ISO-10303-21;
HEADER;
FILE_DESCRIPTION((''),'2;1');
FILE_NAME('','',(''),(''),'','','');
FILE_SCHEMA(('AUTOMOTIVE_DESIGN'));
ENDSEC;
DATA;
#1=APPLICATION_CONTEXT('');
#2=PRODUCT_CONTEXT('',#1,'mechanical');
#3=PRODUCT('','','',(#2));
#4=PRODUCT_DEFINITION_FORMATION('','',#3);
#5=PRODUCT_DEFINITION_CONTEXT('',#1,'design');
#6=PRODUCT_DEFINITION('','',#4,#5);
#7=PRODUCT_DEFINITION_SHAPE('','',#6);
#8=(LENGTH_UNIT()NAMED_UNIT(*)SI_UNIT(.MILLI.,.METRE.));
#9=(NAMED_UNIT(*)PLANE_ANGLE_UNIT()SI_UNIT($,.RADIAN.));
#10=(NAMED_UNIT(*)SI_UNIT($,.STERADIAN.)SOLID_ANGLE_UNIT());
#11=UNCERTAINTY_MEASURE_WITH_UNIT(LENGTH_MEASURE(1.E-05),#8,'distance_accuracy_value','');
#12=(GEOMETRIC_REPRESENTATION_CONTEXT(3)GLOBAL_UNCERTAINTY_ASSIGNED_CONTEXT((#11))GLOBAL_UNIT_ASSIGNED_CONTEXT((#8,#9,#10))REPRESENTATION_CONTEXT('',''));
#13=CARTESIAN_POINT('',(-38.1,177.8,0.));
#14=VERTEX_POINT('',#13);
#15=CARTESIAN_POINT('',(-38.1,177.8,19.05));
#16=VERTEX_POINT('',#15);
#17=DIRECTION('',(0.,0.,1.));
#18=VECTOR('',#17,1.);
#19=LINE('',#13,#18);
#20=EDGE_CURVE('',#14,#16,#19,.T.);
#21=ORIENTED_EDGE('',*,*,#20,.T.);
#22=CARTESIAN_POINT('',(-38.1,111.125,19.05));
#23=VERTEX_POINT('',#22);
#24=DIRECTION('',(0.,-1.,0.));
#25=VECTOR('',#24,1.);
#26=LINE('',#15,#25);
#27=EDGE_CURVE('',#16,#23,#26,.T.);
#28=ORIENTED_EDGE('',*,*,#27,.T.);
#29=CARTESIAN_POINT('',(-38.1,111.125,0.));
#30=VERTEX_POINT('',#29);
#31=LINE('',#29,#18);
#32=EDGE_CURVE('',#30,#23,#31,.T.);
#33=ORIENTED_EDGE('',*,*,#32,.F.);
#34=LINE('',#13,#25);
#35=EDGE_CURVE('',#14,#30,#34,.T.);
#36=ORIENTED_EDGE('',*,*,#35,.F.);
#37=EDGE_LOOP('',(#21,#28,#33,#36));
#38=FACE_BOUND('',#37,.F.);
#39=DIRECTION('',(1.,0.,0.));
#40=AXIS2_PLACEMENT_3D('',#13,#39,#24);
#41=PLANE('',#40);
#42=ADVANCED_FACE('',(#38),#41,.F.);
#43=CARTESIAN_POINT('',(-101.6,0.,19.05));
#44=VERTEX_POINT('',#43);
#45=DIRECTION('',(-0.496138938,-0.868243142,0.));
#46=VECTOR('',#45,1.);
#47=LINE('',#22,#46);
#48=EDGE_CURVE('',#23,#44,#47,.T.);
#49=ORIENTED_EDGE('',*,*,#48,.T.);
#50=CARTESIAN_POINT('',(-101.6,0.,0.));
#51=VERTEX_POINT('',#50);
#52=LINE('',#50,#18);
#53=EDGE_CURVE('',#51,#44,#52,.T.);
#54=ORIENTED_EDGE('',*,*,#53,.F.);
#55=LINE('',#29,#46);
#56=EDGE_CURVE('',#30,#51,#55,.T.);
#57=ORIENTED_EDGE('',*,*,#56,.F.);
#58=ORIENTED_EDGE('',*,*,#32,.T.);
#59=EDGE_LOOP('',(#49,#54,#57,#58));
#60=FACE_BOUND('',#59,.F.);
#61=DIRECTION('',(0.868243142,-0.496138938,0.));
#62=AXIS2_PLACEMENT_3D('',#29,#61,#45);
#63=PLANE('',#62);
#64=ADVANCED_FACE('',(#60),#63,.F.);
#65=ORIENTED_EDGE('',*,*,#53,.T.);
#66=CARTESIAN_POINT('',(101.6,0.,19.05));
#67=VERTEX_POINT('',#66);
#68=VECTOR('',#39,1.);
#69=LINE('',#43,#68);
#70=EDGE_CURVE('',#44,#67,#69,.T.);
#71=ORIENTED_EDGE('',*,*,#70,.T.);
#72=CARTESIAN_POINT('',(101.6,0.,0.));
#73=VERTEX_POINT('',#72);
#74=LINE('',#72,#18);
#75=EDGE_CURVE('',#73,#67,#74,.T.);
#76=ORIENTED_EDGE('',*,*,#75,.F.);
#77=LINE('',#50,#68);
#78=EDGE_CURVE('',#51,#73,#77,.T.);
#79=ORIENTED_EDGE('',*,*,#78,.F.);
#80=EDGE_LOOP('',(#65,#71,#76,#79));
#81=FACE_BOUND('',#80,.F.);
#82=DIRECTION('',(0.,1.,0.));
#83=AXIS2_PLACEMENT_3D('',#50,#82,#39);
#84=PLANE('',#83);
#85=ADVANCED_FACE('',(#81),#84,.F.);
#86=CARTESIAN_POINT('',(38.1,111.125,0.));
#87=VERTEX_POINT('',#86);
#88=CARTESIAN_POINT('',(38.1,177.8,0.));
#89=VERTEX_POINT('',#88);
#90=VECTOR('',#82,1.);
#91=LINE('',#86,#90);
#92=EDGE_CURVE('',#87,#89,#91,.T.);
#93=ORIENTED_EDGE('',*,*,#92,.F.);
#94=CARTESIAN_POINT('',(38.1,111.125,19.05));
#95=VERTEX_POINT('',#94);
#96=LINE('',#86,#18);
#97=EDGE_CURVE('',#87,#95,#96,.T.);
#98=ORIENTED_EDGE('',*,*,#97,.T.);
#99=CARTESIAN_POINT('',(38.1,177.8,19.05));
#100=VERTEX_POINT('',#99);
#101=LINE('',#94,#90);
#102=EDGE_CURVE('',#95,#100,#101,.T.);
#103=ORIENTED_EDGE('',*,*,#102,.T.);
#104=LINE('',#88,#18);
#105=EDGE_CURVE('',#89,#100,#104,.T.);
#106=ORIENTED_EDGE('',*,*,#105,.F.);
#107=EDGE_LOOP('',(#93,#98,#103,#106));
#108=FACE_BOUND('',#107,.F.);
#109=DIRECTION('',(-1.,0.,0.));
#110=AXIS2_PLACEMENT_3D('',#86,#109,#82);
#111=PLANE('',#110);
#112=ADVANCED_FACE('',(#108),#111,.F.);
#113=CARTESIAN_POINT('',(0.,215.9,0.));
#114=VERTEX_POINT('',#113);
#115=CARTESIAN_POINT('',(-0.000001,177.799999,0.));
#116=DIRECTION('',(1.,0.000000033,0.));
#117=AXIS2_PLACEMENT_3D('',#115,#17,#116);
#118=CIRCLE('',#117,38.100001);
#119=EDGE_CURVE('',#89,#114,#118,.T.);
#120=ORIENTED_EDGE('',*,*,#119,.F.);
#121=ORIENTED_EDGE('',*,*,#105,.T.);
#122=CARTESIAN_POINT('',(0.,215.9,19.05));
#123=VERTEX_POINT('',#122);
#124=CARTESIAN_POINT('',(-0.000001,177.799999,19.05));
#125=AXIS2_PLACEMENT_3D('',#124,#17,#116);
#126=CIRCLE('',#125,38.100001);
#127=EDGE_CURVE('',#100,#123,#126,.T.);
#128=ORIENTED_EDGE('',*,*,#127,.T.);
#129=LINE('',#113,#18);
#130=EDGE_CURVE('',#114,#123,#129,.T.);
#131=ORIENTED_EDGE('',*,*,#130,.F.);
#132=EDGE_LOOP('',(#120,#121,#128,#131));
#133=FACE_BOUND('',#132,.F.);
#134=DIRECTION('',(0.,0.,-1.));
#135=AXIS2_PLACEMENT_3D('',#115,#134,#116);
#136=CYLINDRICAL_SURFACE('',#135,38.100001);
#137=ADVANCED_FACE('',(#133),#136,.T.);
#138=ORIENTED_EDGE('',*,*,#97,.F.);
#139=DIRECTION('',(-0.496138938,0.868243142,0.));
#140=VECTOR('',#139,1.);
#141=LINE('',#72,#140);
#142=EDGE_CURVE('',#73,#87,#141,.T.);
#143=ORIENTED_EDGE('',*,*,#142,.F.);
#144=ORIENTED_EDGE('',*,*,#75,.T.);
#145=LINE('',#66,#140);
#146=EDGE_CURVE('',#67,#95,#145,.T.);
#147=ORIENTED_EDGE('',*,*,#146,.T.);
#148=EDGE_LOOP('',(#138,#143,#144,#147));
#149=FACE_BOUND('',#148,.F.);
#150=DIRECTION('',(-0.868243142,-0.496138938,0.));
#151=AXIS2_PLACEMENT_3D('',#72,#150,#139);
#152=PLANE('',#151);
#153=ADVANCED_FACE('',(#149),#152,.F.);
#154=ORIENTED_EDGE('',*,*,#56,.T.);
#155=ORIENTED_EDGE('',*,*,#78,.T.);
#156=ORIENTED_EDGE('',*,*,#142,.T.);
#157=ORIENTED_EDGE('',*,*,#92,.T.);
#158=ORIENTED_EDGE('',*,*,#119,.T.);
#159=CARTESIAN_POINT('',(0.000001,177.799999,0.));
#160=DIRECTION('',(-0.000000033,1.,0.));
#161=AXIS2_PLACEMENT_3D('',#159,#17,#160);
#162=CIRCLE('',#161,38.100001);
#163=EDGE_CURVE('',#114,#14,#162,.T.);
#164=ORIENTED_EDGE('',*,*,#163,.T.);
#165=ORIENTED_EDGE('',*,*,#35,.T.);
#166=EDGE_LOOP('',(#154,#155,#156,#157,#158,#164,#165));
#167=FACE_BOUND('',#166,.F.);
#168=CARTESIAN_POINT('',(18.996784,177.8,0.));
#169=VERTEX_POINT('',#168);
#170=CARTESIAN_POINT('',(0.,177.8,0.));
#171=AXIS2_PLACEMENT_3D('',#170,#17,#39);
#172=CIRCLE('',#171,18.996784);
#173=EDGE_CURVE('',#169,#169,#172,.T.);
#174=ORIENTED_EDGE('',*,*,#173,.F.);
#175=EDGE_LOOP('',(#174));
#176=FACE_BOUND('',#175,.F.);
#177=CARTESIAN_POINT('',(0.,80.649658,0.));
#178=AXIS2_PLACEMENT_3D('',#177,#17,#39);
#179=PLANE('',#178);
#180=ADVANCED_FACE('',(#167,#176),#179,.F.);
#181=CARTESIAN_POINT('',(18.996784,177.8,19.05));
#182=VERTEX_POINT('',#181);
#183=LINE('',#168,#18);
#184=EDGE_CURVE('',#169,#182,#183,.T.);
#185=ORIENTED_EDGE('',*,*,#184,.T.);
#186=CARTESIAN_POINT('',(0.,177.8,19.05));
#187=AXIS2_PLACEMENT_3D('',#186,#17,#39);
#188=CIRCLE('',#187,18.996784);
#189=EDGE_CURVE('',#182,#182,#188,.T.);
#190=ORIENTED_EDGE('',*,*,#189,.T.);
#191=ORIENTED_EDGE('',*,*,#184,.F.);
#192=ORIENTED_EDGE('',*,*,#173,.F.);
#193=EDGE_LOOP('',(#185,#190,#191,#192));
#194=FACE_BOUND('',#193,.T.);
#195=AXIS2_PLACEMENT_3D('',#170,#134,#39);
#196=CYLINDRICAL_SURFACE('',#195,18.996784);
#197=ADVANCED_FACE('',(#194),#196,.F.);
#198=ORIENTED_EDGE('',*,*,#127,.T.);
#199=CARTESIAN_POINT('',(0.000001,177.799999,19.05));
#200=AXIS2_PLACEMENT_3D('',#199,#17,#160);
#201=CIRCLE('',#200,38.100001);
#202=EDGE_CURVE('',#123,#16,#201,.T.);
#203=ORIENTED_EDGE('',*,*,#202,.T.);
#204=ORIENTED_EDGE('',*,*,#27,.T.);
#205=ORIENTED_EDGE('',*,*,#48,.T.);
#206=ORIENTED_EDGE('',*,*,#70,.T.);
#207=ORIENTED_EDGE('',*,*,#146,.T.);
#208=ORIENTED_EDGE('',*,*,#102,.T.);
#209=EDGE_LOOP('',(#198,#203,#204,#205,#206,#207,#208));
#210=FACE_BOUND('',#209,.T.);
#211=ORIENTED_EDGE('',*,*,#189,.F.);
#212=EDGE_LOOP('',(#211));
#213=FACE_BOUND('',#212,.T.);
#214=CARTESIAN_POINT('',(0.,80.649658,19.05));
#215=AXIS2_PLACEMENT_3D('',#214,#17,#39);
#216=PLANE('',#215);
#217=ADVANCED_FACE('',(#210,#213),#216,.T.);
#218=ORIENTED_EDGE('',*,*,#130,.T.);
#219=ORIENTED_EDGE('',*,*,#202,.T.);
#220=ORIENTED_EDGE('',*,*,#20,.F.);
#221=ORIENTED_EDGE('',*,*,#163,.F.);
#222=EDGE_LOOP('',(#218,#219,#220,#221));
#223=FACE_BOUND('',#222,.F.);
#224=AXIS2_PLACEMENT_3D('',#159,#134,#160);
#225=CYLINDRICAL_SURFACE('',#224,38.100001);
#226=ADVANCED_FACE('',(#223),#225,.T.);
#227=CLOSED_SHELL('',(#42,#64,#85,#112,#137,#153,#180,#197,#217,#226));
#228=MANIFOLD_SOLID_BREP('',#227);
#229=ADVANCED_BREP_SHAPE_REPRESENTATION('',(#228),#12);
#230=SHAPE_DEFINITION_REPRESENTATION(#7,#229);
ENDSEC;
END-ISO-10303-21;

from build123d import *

# Parameters (mm, degrees)
F0_R     = 18.996784
F1_DEPTH = 19.05


with BuildPart() as f1:
    # F0 (on Top) → F1 (new body)
    with BuildSketch(Plane.XY):
        with BuildLine():
            Line((-38.1, 111.125), (-101.6, 0))
            Line((-101.6, 0), (101.6, 0))
            Line((101.6, 0), (38.1, 111.125))
            Line((38.1, 111.125), (38.1, 139.7))
            Line((38.1, 139.7), (38.1, 177.8))
            ThreePointArc((38.1, 177.8), (26.940768, 204.740768), (0, 215.9))
            ThreePointArc((0, 215.9), (-26.940768, 204.740768), (-38.1, 177.8))
            Line((-38.1, 177.8), (-38.1, 139.7))
            Line((-38.1, 139.7), (-38.1, 111.125))
        make_face()
        with Locations((0, 177.8)):
            Circle(F0_R, mode=Mode.SUBTRACT)
    extrude(amount=F1_DEPTH)


solid = f1.part
